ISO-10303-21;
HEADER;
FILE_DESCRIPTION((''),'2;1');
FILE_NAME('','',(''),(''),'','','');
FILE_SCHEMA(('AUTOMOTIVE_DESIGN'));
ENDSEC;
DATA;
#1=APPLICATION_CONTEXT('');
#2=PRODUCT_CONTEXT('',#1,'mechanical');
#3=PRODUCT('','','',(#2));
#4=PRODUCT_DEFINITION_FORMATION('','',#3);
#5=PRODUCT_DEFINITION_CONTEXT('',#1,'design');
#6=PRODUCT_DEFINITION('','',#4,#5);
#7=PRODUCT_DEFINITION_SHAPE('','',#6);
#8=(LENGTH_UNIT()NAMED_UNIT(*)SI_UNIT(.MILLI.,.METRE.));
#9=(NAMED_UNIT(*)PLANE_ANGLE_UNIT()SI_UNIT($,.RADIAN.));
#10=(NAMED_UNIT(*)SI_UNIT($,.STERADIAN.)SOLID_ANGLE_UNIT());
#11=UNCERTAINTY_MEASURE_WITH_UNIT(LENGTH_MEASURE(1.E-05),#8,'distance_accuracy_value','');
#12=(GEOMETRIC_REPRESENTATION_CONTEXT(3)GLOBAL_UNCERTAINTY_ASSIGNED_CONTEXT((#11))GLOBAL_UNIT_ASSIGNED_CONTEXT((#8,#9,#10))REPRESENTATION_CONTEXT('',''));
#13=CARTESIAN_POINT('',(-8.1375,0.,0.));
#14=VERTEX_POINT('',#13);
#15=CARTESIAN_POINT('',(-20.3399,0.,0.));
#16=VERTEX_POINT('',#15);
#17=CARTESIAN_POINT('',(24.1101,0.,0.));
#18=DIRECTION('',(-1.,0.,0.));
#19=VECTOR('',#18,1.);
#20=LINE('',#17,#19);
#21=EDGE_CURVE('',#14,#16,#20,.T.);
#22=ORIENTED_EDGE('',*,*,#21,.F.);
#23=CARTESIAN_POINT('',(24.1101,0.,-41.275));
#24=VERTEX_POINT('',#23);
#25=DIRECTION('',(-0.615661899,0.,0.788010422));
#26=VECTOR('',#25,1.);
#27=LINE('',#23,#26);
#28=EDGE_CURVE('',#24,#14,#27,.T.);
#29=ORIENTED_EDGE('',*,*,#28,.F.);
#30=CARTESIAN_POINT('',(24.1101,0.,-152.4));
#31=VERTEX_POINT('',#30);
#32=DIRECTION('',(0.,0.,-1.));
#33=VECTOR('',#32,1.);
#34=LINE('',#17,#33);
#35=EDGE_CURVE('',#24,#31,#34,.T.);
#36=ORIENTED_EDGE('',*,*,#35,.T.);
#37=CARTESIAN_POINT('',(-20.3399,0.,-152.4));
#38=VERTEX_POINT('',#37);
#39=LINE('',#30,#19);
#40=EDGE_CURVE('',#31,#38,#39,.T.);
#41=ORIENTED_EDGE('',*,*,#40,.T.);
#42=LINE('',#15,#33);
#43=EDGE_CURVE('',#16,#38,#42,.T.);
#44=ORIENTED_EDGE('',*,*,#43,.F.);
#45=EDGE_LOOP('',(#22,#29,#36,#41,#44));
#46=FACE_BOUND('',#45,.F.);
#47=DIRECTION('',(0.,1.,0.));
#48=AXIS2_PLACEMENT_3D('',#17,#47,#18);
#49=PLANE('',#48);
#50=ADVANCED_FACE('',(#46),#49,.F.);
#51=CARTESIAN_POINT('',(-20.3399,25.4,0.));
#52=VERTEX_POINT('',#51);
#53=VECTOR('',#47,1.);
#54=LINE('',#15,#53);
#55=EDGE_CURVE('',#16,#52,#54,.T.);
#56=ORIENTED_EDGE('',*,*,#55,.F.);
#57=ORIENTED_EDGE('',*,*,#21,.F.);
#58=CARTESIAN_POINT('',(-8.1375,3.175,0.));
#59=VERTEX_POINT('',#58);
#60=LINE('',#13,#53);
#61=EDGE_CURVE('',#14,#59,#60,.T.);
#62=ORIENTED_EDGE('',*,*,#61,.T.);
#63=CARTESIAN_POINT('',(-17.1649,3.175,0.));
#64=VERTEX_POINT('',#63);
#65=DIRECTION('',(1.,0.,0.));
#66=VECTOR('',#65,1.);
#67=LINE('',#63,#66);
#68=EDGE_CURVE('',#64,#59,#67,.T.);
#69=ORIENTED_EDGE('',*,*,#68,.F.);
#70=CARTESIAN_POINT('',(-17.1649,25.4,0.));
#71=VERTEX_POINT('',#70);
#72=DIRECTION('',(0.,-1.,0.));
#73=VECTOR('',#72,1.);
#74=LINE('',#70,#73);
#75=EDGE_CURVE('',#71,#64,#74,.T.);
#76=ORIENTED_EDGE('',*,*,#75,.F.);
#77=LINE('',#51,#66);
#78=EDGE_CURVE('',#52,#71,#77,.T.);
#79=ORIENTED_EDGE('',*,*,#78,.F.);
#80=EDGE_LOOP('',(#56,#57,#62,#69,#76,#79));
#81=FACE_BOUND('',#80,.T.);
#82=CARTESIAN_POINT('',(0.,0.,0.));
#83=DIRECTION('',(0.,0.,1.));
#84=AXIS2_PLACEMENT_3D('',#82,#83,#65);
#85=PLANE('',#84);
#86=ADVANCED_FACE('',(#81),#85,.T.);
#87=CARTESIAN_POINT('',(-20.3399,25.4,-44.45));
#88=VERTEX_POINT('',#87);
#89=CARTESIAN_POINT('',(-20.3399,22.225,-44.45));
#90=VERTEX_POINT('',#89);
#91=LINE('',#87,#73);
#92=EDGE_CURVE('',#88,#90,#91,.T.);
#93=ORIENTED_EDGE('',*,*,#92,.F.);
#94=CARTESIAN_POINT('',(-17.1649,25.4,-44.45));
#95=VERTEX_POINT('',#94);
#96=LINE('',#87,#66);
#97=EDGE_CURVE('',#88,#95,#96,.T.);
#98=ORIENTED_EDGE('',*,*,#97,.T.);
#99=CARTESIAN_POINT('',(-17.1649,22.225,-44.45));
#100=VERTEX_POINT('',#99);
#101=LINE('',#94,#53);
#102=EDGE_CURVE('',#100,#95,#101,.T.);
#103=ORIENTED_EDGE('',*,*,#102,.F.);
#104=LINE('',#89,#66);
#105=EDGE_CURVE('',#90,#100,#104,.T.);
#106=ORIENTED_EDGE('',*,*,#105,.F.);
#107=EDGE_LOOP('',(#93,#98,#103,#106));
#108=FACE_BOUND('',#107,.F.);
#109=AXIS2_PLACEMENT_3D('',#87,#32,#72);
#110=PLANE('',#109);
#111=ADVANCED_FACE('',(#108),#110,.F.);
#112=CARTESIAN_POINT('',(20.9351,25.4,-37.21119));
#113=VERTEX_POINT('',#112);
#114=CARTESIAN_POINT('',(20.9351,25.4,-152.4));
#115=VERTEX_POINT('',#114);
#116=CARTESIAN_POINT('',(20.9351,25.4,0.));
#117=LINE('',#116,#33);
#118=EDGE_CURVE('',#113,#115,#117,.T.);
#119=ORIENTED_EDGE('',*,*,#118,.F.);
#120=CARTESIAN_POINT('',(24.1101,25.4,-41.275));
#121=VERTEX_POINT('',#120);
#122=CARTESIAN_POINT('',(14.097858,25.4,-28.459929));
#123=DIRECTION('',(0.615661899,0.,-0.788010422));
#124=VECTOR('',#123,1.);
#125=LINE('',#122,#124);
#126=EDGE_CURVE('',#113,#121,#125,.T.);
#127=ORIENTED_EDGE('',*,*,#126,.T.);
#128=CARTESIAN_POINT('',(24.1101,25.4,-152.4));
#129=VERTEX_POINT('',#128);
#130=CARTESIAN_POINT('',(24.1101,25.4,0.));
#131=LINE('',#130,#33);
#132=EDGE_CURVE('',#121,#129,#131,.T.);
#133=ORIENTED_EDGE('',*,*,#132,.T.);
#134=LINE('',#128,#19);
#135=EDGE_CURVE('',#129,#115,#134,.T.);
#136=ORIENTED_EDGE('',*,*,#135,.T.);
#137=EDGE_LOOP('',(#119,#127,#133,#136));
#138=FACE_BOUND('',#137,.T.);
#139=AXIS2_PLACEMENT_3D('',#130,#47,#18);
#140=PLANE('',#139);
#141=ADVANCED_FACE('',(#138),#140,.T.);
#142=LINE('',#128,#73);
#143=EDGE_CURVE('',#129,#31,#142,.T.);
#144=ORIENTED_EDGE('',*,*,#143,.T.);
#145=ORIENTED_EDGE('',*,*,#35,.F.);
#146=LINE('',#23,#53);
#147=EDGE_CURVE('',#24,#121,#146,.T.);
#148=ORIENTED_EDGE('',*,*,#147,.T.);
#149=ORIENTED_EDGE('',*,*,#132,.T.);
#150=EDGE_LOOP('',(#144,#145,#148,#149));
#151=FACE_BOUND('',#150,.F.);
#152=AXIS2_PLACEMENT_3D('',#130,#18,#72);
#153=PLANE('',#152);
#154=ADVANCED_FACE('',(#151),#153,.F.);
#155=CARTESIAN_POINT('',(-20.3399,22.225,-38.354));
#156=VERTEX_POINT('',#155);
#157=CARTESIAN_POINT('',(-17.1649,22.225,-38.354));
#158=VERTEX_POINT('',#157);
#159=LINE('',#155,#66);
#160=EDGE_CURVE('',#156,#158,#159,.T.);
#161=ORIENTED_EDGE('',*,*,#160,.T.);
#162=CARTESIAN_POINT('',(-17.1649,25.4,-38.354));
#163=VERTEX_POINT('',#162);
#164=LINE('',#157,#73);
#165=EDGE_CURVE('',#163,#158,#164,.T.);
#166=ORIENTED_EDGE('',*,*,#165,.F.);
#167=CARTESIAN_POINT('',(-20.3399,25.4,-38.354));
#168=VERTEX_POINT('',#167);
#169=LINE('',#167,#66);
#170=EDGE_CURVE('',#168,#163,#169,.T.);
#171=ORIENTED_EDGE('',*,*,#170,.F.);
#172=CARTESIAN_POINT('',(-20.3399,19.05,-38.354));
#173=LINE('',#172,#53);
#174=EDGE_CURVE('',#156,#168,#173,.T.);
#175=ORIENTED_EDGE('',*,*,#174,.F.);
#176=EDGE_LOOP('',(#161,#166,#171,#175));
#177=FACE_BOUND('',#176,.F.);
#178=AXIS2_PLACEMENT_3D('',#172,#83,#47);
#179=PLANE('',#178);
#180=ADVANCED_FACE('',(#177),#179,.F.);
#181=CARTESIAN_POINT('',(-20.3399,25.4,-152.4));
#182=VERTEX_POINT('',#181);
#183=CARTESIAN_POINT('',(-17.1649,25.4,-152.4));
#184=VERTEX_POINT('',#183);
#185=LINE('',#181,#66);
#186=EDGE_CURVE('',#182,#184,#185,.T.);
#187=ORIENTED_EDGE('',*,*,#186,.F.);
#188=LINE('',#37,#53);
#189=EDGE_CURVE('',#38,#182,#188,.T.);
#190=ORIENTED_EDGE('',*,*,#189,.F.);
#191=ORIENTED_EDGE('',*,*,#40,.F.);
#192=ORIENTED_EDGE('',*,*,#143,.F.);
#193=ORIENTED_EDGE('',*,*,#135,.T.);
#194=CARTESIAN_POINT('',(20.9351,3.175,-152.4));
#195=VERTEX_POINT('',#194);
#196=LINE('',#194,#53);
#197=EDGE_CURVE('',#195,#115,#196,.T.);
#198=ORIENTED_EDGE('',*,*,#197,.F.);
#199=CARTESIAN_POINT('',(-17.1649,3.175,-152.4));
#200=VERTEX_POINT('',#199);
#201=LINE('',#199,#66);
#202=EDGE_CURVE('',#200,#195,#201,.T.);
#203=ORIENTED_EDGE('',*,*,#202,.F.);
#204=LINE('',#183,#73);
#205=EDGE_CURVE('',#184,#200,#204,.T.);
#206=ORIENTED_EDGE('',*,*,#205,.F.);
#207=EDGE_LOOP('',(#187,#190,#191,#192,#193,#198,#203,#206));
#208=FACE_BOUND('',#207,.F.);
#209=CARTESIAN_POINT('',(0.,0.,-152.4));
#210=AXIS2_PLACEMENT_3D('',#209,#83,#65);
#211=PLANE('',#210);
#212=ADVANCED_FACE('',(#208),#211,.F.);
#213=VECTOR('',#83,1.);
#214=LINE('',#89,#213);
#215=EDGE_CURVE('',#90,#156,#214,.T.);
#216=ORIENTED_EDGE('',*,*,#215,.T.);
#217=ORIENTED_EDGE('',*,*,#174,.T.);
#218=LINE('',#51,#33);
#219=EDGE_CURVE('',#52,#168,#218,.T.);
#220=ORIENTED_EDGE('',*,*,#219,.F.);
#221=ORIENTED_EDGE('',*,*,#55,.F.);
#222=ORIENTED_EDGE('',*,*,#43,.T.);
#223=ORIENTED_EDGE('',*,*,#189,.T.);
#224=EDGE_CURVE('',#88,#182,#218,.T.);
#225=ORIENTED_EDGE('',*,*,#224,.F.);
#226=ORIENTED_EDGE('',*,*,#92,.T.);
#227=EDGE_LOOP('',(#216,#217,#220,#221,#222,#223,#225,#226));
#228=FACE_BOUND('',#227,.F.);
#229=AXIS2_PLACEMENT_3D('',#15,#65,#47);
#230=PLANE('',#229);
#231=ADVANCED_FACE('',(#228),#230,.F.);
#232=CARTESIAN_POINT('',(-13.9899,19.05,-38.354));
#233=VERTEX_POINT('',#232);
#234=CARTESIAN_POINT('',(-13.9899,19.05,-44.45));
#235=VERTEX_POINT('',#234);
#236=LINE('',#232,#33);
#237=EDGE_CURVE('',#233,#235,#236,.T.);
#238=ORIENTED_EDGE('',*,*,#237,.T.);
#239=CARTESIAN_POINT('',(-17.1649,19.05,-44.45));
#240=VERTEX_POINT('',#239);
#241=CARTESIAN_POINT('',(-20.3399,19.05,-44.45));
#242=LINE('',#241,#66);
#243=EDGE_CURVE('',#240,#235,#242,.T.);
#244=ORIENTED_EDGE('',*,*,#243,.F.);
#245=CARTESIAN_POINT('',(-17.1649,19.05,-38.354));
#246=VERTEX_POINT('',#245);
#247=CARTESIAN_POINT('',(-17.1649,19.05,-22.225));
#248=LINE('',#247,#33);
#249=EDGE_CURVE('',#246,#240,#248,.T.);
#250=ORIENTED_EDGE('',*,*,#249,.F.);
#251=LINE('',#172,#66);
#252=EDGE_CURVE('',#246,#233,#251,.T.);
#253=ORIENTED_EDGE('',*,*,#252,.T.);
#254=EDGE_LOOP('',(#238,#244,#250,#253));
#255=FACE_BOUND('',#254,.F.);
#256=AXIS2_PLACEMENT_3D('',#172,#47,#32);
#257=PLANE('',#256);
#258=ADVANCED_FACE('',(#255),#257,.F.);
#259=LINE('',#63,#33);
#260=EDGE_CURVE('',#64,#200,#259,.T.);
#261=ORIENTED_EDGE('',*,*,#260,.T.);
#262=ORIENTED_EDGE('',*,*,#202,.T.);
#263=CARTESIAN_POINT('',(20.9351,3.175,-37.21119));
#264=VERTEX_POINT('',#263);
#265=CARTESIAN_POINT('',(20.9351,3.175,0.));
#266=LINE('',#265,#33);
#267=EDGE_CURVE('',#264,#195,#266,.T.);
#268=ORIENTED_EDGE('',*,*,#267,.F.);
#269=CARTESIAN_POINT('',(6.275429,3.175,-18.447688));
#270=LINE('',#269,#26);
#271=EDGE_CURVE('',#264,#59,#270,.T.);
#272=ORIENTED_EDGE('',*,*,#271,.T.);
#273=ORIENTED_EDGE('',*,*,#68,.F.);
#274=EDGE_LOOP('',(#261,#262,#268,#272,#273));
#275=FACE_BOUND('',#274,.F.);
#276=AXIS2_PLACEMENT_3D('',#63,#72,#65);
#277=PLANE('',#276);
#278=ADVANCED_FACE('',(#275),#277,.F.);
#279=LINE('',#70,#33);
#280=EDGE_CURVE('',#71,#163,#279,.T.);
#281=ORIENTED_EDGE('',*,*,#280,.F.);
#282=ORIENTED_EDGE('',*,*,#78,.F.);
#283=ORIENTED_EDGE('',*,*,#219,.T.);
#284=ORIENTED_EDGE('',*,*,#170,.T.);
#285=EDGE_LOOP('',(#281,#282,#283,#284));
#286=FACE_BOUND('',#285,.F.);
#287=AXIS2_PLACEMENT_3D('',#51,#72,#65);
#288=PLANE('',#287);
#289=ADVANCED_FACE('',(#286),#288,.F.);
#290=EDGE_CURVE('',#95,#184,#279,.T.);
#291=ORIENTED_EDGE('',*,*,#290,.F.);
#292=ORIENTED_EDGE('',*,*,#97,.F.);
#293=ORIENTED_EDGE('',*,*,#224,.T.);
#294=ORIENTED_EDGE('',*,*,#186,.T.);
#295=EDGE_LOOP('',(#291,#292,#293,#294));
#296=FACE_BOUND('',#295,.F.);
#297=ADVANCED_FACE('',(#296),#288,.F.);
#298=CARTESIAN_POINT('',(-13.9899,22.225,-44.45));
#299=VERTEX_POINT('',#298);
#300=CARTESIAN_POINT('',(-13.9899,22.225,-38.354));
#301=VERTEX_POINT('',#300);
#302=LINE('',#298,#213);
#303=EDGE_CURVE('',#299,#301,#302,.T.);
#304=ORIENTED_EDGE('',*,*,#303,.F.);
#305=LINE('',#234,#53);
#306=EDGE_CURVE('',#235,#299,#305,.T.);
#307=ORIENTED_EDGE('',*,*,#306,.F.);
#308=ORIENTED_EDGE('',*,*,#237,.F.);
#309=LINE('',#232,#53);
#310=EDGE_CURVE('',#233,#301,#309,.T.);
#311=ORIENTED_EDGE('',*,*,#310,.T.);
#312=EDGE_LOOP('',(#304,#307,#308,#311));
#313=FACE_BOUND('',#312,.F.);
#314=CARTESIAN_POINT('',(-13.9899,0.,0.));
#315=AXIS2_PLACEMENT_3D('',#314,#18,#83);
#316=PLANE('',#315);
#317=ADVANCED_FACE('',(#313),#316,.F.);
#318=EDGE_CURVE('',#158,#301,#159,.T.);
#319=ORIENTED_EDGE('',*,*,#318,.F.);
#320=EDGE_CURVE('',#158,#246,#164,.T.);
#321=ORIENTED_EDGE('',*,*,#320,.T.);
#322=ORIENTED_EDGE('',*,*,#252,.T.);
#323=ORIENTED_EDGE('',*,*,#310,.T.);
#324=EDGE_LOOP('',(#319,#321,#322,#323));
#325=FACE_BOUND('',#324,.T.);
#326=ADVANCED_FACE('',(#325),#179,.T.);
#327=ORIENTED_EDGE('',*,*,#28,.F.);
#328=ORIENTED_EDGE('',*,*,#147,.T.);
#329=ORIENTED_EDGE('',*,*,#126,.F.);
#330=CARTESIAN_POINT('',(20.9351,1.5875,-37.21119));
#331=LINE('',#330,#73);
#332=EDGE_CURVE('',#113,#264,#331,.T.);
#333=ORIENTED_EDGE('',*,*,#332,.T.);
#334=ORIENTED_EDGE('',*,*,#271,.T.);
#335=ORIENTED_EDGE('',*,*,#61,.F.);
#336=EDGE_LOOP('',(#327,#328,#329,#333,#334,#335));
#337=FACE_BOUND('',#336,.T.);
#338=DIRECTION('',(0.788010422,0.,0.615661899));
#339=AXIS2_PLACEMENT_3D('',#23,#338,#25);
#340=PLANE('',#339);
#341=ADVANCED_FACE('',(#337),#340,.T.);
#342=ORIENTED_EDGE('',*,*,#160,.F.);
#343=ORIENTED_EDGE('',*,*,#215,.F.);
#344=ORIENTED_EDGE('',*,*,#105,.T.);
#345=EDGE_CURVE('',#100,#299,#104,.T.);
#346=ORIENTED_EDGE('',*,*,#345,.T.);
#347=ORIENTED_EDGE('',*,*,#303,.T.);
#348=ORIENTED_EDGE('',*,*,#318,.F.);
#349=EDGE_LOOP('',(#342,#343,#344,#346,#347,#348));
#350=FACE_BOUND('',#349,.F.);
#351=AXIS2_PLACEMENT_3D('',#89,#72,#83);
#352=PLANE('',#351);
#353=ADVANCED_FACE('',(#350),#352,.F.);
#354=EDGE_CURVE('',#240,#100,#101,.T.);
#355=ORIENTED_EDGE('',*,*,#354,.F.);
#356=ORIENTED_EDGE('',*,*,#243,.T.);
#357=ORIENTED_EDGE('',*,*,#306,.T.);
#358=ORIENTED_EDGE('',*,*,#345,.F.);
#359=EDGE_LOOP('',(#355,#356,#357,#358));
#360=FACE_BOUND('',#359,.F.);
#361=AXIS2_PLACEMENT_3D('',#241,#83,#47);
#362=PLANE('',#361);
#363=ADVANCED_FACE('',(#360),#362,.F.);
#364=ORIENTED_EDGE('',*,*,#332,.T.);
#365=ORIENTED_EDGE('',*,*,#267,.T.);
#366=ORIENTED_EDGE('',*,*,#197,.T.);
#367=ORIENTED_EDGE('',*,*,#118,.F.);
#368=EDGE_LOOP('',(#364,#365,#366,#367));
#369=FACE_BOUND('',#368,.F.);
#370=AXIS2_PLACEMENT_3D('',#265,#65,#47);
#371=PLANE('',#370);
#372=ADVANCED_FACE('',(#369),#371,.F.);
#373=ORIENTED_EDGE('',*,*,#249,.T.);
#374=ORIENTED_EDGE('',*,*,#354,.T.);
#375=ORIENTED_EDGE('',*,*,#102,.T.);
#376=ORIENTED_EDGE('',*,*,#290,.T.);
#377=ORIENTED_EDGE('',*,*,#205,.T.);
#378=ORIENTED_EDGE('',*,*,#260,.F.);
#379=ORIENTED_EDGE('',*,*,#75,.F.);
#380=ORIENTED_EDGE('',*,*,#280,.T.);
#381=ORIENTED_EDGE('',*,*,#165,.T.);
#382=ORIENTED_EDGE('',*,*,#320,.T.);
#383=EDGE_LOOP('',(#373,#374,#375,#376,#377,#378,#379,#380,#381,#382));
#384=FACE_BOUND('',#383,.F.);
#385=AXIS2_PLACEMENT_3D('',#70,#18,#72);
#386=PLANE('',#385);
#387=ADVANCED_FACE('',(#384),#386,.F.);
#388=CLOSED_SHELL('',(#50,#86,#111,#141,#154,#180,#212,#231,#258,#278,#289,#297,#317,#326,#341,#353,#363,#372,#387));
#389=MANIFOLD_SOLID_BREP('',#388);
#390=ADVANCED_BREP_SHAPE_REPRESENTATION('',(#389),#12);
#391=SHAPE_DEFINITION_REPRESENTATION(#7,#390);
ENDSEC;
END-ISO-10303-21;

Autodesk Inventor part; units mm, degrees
ref_plane "YZ Plane" through (0, 0, 0) normal (1, 0, 0) x (0, 1, 0)
ref_plane "XZ Plane" through (0, 0, 0) normal (0, 1, 0) x (-1, 0, 0)
ref_plane "XY Plane" through (0, 0, 0) normal (0, 0, 1) x (1, 0, 0)
sketch "Sketch1" plane through (0, 0, 0) normal (0, 0, 1) x (1, 0, 0)
  line L0 (24.1101, 25.4) -> (24.1101, 0)
  line L1 (24.1101, 0) -> (-20.3399, 0)
  line L2 (-20.3399, 0) -> (-20.3399, 25.4)
  line L3 (-17.1649, 25.4) -> (-17.1649, 3.175)
  line L4 (-17.1649, 3.175) -> (20.9351, 3.175)
  line L5 (20.9351, 3.175) -> (20.9351, 25.4)
  line L6 (-20.3399, 25.4) -> (-17.1649, 25.4)
  line L7 (24.1101, 25.4) -> (20.9351, 25.4)
  point P0 (0, 0)
  dimension "d0" = 44.45
  dimension "d1" = 25.4
  dimension "d2" = 3.175
extrude "Extrusion1" add sketch "Sketch1" against normal blind 152.4
sketch "Sketch3" plane through (-20.3399, 0, 0) normal (-1, 0, 0) x (0, 0, 1)
  line L0 (0, 25.4) -> (-152.4, 25.4) projected
  line L1 (-152.4, 0) -> (-152.4, 25.4) projected
  line L2 (0, 0) -> (-152.4, 0) projected
  line L3 (-44.45, 25.4) -> (-44.45, 19.05)
  line L4 (-44.45, 19.05) -> (-38.354, 19.05)
  line L5 (-38.354, 19.05) -> (-38.354, 25.4)
  dimension "d6" = 6.096
  dimension "d7" = 6.35
  dimension "d8" = 107.95
extrude "Extrusion2" cut sketch "Sketch3" against normal up to next
sketch "Sketch4" plane through (-20.3399, 0, 0) normal (-1, 0, 0) x (0, 0, 1)
  line L0 (-38.354, 19.05) -> (-44.45, 19.05) projected
  line L1 (-44.45, 19.05) -> (-44.45, 22.225)
  line L2 (-44.45, 25.4) -> (-44.45, 19.05) projected
  line L3 (-38.354, 19.05) -> (-38.354, 25.4) projected
  line L4 (-38.354, 19.05) -> (-44.45, 19.05)
  line L5 (-44.45, 19.05) -> (-38.354, 19.05) projected
  line L6 (-44.45, 22.225) -> (-38.354, 22.225)
  line L7 (-38.354, 19.05) -> (-38.354, 22.225)
  dimension "d11" = 3.175
extrude "Extrusion3" add sketch "Sketch4" against normal blind 6.35
sketch "Sketch5" plane through (-20.3399, 0, 0) normal (0, -1, 0) x (1, 0, 0)
  line L0 (0, 0) -> (44.45, 0) projected
  line L1 (44.45, 0) -> (44.45, -152.4) projected
  line L2 (44.45, -152.4) -> (44.45, -41.275)
  line L3 (44.45, 0) -> (44.45, -152.4) projected
  line L4 (44.45, -41.275) -> (12.2024, 0)
  line L5 (12.2024, 0) -> (44.45, 0)
  line L6 (44.45, 0) -> (44.45, -41.275)
  point P0 (20.3399, 0)
  dimension "d14" = 111.125
  dimension "d15" = 38
extrude "Extrusion4" cut sketch "Sketch5" against normal through all
properties part number "Horizontal channel"
